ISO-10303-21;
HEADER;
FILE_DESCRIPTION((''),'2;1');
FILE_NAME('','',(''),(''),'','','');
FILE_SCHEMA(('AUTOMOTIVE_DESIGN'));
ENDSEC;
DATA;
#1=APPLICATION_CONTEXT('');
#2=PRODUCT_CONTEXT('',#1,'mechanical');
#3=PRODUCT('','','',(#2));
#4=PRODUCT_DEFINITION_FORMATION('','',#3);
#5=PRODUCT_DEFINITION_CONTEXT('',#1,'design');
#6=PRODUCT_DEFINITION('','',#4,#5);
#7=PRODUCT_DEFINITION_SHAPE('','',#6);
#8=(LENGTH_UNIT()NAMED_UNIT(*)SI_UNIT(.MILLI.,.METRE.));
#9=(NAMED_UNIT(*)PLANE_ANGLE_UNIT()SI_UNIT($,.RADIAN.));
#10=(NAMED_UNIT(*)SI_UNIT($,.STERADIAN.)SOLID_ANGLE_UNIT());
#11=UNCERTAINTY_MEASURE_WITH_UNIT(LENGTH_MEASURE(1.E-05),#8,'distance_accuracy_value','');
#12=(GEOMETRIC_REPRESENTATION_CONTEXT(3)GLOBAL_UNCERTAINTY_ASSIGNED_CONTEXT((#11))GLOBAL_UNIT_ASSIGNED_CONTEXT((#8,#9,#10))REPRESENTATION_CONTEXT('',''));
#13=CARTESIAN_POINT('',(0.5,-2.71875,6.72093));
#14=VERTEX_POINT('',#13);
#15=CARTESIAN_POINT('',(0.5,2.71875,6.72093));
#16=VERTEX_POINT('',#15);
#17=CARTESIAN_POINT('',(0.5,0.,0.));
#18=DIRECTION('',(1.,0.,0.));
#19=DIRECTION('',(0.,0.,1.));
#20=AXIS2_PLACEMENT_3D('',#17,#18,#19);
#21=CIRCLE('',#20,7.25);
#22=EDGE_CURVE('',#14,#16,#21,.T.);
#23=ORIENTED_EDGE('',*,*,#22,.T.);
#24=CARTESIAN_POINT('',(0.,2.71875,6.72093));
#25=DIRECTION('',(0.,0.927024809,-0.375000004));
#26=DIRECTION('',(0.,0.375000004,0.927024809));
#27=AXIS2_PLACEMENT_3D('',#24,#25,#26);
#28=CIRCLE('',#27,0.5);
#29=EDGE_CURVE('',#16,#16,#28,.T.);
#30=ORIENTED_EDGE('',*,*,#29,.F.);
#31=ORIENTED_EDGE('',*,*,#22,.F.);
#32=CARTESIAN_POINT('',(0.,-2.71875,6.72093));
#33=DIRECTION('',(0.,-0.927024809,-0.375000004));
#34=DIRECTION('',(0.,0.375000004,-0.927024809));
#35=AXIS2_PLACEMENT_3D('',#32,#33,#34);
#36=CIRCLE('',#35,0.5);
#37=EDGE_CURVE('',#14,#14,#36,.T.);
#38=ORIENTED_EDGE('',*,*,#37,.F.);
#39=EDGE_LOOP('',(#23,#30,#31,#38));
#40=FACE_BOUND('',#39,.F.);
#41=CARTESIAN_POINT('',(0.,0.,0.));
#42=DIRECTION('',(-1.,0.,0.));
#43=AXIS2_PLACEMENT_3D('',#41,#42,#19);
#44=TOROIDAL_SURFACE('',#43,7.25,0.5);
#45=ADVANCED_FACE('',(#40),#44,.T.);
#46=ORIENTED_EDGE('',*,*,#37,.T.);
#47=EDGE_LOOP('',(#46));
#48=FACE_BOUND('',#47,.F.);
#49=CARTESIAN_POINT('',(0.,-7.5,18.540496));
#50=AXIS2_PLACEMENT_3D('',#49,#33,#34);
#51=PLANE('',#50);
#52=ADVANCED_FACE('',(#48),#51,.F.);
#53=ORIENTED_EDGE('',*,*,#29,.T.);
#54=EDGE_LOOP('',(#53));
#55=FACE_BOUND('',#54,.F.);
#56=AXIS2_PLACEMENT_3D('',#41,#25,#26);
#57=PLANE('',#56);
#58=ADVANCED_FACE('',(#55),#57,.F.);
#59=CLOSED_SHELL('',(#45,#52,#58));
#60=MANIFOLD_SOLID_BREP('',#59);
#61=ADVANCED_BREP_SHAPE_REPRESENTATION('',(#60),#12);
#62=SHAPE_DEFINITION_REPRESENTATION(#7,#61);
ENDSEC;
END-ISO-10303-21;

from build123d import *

# Parameters (mm, degrees)
F0_R     = 0.5
F3_DEPTH = 12.5


with BuildPart() as f1:
    # F0 (on Front) → F1 (revolve)
    with BuildSketch(Plane.XZ):
        with Locations((0, 7.25)):
            Circle(F0_R)
    revolve(axis=Axis((-0.803067, 0, 0), (1, 0, 0)))

    # F2 (on Right) → F3 (cut, symmetric)
    with BuildSketch(Plane.YZ):
        Polygon((-7.5, 18.540496), (0, 0), (7.5, 18.540496), align=None)
    extrude(amount=F3_DEPTH, both=True, mode=Mode.SUBTRACT)


solid = f1.part
